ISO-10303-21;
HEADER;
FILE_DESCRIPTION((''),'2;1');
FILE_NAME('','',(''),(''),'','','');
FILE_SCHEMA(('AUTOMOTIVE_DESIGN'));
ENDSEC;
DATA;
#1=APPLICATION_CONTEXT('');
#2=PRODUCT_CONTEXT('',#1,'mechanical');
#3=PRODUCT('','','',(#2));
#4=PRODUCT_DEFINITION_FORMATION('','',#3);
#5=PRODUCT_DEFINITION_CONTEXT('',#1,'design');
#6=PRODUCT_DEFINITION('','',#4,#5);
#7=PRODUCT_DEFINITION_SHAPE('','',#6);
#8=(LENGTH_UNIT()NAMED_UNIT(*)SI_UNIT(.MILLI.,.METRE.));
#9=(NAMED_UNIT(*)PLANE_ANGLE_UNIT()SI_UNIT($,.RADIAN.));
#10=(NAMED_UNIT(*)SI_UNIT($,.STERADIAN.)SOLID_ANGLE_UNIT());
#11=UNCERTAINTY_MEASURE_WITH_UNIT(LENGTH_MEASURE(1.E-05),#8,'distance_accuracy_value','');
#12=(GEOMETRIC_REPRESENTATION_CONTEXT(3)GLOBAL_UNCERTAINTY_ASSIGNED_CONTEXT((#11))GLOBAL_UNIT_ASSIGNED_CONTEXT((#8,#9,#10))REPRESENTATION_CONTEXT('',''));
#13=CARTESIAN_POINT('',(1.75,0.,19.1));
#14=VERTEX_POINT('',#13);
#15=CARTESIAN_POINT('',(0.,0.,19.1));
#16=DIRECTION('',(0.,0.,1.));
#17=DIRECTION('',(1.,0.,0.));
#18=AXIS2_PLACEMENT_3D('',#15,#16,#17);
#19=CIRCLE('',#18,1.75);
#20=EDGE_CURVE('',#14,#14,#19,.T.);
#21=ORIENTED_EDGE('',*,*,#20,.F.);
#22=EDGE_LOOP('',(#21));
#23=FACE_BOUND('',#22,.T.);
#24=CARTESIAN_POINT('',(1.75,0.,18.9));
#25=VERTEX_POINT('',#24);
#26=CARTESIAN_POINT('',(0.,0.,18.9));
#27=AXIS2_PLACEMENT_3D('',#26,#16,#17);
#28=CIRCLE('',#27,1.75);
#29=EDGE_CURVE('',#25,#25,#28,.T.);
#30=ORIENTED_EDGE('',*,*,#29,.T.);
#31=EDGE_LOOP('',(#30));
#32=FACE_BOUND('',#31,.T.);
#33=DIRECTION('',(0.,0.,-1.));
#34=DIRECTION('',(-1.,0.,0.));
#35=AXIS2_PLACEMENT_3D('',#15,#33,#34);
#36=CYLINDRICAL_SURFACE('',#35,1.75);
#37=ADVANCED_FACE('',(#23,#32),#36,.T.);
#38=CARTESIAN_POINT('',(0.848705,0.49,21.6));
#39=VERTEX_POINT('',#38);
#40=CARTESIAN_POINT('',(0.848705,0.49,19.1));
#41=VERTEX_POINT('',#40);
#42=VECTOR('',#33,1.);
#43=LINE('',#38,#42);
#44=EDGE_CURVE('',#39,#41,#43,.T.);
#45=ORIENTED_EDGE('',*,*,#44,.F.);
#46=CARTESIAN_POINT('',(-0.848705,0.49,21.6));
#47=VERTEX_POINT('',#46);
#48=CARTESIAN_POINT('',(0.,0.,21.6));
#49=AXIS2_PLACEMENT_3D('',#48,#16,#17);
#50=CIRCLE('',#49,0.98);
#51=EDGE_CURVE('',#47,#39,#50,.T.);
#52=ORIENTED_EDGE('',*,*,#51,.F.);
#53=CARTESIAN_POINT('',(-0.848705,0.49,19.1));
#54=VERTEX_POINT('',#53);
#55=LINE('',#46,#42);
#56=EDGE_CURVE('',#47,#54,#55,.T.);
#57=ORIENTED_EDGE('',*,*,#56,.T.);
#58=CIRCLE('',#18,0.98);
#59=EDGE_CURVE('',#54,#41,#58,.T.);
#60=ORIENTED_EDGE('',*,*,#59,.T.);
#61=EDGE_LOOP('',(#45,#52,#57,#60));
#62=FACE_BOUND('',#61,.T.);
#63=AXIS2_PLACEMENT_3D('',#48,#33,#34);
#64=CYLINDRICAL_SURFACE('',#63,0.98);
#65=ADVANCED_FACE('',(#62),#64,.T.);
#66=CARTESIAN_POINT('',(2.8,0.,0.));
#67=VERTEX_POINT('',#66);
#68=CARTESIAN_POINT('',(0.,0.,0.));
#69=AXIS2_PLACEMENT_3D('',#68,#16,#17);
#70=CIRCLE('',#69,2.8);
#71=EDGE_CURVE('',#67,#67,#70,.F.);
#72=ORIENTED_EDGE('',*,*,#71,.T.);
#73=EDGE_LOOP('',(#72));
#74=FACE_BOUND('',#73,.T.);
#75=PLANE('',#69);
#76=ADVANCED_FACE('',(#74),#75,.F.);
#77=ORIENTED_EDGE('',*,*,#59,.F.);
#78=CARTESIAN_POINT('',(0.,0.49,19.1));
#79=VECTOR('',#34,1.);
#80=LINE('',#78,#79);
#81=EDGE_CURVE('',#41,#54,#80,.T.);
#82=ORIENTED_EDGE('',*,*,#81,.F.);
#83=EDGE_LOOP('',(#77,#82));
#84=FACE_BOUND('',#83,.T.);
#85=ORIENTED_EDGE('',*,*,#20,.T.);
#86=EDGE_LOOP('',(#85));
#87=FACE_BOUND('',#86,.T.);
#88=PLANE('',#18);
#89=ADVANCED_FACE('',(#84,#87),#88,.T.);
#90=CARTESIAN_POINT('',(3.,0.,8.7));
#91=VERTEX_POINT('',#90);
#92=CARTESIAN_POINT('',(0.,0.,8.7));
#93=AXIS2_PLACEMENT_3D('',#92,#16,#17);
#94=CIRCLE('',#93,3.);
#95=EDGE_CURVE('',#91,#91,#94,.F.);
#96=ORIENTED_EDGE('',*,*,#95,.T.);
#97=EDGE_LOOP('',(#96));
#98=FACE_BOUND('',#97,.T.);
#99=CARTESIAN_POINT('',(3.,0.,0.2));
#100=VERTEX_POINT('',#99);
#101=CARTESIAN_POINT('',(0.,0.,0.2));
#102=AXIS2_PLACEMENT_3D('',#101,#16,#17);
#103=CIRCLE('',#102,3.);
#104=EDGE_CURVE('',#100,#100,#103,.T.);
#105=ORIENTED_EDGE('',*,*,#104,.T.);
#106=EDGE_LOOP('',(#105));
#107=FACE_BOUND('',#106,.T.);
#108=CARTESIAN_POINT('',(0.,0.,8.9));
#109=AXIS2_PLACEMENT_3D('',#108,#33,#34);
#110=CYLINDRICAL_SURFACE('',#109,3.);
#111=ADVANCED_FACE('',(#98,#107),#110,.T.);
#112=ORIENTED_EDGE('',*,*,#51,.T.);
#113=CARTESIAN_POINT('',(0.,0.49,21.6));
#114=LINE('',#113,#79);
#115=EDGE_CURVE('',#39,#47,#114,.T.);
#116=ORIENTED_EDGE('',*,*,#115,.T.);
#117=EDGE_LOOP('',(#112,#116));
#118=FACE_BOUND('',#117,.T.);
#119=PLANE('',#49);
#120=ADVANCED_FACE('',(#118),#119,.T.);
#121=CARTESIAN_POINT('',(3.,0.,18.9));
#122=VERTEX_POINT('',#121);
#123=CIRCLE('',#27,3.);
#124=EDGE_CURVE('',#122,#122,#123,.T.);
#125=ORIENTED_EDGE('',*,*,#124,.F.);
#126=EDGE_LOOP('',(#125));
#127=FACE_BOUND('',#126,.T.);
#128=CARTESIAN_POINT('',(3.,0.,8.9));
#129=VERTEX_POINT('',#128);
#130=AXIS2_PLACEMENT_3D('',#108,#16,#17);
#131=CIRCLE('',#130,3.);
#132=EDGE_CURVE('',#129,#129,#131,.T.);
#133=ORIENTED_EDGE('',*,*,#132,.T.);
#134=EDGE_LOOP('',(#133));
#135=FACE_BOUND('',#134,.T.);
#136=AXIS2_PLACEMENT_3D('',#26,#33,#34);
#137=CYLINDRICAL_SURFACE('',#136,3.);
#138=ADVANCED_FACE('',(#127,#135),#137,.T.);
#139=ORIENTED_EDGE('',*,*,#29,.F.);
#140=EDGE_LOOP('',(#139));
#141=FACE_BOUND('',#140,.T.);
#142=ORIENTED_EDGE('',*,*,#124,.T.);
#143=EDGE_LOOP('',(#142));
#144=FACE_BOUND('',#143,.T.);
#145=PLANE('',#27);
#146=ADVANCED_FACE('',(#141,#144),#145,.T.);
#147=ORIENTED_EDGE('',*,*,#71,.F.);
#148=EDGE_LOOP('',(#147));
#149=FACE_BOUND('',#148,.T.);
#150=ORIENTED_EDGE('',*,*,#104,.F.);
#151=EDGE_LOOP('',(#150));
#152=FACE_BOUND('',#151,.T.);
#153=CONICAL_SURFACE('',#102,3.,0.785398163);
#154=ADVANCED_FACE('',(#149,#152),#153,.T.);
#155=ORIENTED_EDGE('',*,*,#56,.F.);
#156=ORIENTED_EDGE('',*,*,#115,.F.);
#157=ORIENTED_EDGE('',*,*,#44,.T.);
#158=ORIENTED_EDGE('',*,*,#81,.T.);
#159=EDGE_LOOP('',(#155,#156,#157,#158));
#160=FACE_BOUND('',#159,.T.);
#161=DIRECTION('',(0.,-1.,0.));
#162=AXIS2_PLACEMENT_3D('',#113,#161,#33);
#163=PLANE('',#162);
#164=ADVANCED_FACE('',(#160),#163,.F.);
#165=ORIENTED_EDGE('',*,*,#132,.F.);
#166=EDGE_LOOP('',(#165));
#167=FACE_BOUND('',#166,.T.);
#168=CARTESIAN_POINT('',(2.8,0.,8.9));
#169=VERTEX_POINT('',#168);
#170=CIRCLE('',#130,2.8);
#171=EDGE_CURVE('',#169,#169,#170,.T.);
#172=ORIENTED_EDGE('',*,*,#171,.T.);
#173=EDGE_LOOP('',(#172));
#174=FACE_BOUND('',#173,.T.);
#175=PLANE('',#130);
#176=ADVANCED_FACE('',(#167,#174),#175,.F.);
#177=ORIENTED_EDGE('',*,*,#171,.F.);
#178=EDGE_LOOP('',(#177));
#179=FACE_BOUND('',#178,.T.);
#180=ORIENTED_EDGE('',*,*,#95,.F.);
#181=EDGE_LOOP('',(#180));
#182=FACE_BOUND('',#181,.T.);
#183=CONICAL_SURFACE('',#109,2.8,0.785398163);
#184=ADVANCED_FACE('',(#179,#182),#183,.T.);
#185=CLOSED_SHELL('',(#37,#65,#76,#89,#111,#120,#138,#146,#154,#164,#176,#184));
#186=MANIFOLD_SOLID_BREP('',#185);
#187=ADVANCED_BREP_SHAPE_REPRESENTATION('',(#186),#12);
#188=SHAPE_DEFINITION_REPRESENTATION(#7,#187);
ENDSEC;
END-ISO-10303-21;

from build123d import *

# Parameters (mm, degrees)
SKETCH1_R           = 3
BOSS_EXTRUDE1_DEPTH = 8.9
CHAMFER1_SIZE       = 0.2
SKETCH2_R           = 3
BOSS_EXTRUDE2_DEPTH = 10
SKETCH3_R           = 1.75
BOSS_EXTRUDE3_DEPTH = 0.2
BOSS_EXTRUDE4_DEPTH = 2.5


with BuildPart() as part:
    # Sketch1 → Boss-Extrude1 (new body)
    with BuildSketch(Plane.XY):
        Circle(SKETCH1_R)
    extrude(amount=BOSS_EXTRUDE1_DEPTH)

    # Chamfer1
    chamfer1_edges = [part.edges().sort_by_distance(p)[0] for p in [
        (-3, 0, 0),
        (-3, 0, 8.9),
    ]]
    chamfer(chamfer1_edges, length=CHAMFER1_SIZE)

    # Sketch2 → Boss-Extrude2 (add)
    with BuildSketch(Plane.XY.offset(8.9)):
        Circle(SKETCH2_R)
    extrude(amount=BOSS_EXTRUDE2_DEPTH)

    # Sketch3 → Boss-Extrude3 (add)
    with BuildSketch(Plane.XY.offset(18.9)):
        Circle(SKETCH3_R)
    extrude(amount=BOSS_EXTRUDE3_DEPTH)

    # Sketch5 → Boss-Extrude4 (add)
    with BuildSketch(Plane.XY.offset(19.1)):
        with BuildLine():
            Line((0, 0.49), (0.848704896, 0.49))
            ThreePointArc((0.848704896, 0.49), (0, -0.98), (-0.848704896, 0.49))
            Line((-0.848704896, 0.49), (0, 0.49))
        make_face()
    extrude(amount=BOSS_EXTRUDE4_DEPTH)


solid = part.part
